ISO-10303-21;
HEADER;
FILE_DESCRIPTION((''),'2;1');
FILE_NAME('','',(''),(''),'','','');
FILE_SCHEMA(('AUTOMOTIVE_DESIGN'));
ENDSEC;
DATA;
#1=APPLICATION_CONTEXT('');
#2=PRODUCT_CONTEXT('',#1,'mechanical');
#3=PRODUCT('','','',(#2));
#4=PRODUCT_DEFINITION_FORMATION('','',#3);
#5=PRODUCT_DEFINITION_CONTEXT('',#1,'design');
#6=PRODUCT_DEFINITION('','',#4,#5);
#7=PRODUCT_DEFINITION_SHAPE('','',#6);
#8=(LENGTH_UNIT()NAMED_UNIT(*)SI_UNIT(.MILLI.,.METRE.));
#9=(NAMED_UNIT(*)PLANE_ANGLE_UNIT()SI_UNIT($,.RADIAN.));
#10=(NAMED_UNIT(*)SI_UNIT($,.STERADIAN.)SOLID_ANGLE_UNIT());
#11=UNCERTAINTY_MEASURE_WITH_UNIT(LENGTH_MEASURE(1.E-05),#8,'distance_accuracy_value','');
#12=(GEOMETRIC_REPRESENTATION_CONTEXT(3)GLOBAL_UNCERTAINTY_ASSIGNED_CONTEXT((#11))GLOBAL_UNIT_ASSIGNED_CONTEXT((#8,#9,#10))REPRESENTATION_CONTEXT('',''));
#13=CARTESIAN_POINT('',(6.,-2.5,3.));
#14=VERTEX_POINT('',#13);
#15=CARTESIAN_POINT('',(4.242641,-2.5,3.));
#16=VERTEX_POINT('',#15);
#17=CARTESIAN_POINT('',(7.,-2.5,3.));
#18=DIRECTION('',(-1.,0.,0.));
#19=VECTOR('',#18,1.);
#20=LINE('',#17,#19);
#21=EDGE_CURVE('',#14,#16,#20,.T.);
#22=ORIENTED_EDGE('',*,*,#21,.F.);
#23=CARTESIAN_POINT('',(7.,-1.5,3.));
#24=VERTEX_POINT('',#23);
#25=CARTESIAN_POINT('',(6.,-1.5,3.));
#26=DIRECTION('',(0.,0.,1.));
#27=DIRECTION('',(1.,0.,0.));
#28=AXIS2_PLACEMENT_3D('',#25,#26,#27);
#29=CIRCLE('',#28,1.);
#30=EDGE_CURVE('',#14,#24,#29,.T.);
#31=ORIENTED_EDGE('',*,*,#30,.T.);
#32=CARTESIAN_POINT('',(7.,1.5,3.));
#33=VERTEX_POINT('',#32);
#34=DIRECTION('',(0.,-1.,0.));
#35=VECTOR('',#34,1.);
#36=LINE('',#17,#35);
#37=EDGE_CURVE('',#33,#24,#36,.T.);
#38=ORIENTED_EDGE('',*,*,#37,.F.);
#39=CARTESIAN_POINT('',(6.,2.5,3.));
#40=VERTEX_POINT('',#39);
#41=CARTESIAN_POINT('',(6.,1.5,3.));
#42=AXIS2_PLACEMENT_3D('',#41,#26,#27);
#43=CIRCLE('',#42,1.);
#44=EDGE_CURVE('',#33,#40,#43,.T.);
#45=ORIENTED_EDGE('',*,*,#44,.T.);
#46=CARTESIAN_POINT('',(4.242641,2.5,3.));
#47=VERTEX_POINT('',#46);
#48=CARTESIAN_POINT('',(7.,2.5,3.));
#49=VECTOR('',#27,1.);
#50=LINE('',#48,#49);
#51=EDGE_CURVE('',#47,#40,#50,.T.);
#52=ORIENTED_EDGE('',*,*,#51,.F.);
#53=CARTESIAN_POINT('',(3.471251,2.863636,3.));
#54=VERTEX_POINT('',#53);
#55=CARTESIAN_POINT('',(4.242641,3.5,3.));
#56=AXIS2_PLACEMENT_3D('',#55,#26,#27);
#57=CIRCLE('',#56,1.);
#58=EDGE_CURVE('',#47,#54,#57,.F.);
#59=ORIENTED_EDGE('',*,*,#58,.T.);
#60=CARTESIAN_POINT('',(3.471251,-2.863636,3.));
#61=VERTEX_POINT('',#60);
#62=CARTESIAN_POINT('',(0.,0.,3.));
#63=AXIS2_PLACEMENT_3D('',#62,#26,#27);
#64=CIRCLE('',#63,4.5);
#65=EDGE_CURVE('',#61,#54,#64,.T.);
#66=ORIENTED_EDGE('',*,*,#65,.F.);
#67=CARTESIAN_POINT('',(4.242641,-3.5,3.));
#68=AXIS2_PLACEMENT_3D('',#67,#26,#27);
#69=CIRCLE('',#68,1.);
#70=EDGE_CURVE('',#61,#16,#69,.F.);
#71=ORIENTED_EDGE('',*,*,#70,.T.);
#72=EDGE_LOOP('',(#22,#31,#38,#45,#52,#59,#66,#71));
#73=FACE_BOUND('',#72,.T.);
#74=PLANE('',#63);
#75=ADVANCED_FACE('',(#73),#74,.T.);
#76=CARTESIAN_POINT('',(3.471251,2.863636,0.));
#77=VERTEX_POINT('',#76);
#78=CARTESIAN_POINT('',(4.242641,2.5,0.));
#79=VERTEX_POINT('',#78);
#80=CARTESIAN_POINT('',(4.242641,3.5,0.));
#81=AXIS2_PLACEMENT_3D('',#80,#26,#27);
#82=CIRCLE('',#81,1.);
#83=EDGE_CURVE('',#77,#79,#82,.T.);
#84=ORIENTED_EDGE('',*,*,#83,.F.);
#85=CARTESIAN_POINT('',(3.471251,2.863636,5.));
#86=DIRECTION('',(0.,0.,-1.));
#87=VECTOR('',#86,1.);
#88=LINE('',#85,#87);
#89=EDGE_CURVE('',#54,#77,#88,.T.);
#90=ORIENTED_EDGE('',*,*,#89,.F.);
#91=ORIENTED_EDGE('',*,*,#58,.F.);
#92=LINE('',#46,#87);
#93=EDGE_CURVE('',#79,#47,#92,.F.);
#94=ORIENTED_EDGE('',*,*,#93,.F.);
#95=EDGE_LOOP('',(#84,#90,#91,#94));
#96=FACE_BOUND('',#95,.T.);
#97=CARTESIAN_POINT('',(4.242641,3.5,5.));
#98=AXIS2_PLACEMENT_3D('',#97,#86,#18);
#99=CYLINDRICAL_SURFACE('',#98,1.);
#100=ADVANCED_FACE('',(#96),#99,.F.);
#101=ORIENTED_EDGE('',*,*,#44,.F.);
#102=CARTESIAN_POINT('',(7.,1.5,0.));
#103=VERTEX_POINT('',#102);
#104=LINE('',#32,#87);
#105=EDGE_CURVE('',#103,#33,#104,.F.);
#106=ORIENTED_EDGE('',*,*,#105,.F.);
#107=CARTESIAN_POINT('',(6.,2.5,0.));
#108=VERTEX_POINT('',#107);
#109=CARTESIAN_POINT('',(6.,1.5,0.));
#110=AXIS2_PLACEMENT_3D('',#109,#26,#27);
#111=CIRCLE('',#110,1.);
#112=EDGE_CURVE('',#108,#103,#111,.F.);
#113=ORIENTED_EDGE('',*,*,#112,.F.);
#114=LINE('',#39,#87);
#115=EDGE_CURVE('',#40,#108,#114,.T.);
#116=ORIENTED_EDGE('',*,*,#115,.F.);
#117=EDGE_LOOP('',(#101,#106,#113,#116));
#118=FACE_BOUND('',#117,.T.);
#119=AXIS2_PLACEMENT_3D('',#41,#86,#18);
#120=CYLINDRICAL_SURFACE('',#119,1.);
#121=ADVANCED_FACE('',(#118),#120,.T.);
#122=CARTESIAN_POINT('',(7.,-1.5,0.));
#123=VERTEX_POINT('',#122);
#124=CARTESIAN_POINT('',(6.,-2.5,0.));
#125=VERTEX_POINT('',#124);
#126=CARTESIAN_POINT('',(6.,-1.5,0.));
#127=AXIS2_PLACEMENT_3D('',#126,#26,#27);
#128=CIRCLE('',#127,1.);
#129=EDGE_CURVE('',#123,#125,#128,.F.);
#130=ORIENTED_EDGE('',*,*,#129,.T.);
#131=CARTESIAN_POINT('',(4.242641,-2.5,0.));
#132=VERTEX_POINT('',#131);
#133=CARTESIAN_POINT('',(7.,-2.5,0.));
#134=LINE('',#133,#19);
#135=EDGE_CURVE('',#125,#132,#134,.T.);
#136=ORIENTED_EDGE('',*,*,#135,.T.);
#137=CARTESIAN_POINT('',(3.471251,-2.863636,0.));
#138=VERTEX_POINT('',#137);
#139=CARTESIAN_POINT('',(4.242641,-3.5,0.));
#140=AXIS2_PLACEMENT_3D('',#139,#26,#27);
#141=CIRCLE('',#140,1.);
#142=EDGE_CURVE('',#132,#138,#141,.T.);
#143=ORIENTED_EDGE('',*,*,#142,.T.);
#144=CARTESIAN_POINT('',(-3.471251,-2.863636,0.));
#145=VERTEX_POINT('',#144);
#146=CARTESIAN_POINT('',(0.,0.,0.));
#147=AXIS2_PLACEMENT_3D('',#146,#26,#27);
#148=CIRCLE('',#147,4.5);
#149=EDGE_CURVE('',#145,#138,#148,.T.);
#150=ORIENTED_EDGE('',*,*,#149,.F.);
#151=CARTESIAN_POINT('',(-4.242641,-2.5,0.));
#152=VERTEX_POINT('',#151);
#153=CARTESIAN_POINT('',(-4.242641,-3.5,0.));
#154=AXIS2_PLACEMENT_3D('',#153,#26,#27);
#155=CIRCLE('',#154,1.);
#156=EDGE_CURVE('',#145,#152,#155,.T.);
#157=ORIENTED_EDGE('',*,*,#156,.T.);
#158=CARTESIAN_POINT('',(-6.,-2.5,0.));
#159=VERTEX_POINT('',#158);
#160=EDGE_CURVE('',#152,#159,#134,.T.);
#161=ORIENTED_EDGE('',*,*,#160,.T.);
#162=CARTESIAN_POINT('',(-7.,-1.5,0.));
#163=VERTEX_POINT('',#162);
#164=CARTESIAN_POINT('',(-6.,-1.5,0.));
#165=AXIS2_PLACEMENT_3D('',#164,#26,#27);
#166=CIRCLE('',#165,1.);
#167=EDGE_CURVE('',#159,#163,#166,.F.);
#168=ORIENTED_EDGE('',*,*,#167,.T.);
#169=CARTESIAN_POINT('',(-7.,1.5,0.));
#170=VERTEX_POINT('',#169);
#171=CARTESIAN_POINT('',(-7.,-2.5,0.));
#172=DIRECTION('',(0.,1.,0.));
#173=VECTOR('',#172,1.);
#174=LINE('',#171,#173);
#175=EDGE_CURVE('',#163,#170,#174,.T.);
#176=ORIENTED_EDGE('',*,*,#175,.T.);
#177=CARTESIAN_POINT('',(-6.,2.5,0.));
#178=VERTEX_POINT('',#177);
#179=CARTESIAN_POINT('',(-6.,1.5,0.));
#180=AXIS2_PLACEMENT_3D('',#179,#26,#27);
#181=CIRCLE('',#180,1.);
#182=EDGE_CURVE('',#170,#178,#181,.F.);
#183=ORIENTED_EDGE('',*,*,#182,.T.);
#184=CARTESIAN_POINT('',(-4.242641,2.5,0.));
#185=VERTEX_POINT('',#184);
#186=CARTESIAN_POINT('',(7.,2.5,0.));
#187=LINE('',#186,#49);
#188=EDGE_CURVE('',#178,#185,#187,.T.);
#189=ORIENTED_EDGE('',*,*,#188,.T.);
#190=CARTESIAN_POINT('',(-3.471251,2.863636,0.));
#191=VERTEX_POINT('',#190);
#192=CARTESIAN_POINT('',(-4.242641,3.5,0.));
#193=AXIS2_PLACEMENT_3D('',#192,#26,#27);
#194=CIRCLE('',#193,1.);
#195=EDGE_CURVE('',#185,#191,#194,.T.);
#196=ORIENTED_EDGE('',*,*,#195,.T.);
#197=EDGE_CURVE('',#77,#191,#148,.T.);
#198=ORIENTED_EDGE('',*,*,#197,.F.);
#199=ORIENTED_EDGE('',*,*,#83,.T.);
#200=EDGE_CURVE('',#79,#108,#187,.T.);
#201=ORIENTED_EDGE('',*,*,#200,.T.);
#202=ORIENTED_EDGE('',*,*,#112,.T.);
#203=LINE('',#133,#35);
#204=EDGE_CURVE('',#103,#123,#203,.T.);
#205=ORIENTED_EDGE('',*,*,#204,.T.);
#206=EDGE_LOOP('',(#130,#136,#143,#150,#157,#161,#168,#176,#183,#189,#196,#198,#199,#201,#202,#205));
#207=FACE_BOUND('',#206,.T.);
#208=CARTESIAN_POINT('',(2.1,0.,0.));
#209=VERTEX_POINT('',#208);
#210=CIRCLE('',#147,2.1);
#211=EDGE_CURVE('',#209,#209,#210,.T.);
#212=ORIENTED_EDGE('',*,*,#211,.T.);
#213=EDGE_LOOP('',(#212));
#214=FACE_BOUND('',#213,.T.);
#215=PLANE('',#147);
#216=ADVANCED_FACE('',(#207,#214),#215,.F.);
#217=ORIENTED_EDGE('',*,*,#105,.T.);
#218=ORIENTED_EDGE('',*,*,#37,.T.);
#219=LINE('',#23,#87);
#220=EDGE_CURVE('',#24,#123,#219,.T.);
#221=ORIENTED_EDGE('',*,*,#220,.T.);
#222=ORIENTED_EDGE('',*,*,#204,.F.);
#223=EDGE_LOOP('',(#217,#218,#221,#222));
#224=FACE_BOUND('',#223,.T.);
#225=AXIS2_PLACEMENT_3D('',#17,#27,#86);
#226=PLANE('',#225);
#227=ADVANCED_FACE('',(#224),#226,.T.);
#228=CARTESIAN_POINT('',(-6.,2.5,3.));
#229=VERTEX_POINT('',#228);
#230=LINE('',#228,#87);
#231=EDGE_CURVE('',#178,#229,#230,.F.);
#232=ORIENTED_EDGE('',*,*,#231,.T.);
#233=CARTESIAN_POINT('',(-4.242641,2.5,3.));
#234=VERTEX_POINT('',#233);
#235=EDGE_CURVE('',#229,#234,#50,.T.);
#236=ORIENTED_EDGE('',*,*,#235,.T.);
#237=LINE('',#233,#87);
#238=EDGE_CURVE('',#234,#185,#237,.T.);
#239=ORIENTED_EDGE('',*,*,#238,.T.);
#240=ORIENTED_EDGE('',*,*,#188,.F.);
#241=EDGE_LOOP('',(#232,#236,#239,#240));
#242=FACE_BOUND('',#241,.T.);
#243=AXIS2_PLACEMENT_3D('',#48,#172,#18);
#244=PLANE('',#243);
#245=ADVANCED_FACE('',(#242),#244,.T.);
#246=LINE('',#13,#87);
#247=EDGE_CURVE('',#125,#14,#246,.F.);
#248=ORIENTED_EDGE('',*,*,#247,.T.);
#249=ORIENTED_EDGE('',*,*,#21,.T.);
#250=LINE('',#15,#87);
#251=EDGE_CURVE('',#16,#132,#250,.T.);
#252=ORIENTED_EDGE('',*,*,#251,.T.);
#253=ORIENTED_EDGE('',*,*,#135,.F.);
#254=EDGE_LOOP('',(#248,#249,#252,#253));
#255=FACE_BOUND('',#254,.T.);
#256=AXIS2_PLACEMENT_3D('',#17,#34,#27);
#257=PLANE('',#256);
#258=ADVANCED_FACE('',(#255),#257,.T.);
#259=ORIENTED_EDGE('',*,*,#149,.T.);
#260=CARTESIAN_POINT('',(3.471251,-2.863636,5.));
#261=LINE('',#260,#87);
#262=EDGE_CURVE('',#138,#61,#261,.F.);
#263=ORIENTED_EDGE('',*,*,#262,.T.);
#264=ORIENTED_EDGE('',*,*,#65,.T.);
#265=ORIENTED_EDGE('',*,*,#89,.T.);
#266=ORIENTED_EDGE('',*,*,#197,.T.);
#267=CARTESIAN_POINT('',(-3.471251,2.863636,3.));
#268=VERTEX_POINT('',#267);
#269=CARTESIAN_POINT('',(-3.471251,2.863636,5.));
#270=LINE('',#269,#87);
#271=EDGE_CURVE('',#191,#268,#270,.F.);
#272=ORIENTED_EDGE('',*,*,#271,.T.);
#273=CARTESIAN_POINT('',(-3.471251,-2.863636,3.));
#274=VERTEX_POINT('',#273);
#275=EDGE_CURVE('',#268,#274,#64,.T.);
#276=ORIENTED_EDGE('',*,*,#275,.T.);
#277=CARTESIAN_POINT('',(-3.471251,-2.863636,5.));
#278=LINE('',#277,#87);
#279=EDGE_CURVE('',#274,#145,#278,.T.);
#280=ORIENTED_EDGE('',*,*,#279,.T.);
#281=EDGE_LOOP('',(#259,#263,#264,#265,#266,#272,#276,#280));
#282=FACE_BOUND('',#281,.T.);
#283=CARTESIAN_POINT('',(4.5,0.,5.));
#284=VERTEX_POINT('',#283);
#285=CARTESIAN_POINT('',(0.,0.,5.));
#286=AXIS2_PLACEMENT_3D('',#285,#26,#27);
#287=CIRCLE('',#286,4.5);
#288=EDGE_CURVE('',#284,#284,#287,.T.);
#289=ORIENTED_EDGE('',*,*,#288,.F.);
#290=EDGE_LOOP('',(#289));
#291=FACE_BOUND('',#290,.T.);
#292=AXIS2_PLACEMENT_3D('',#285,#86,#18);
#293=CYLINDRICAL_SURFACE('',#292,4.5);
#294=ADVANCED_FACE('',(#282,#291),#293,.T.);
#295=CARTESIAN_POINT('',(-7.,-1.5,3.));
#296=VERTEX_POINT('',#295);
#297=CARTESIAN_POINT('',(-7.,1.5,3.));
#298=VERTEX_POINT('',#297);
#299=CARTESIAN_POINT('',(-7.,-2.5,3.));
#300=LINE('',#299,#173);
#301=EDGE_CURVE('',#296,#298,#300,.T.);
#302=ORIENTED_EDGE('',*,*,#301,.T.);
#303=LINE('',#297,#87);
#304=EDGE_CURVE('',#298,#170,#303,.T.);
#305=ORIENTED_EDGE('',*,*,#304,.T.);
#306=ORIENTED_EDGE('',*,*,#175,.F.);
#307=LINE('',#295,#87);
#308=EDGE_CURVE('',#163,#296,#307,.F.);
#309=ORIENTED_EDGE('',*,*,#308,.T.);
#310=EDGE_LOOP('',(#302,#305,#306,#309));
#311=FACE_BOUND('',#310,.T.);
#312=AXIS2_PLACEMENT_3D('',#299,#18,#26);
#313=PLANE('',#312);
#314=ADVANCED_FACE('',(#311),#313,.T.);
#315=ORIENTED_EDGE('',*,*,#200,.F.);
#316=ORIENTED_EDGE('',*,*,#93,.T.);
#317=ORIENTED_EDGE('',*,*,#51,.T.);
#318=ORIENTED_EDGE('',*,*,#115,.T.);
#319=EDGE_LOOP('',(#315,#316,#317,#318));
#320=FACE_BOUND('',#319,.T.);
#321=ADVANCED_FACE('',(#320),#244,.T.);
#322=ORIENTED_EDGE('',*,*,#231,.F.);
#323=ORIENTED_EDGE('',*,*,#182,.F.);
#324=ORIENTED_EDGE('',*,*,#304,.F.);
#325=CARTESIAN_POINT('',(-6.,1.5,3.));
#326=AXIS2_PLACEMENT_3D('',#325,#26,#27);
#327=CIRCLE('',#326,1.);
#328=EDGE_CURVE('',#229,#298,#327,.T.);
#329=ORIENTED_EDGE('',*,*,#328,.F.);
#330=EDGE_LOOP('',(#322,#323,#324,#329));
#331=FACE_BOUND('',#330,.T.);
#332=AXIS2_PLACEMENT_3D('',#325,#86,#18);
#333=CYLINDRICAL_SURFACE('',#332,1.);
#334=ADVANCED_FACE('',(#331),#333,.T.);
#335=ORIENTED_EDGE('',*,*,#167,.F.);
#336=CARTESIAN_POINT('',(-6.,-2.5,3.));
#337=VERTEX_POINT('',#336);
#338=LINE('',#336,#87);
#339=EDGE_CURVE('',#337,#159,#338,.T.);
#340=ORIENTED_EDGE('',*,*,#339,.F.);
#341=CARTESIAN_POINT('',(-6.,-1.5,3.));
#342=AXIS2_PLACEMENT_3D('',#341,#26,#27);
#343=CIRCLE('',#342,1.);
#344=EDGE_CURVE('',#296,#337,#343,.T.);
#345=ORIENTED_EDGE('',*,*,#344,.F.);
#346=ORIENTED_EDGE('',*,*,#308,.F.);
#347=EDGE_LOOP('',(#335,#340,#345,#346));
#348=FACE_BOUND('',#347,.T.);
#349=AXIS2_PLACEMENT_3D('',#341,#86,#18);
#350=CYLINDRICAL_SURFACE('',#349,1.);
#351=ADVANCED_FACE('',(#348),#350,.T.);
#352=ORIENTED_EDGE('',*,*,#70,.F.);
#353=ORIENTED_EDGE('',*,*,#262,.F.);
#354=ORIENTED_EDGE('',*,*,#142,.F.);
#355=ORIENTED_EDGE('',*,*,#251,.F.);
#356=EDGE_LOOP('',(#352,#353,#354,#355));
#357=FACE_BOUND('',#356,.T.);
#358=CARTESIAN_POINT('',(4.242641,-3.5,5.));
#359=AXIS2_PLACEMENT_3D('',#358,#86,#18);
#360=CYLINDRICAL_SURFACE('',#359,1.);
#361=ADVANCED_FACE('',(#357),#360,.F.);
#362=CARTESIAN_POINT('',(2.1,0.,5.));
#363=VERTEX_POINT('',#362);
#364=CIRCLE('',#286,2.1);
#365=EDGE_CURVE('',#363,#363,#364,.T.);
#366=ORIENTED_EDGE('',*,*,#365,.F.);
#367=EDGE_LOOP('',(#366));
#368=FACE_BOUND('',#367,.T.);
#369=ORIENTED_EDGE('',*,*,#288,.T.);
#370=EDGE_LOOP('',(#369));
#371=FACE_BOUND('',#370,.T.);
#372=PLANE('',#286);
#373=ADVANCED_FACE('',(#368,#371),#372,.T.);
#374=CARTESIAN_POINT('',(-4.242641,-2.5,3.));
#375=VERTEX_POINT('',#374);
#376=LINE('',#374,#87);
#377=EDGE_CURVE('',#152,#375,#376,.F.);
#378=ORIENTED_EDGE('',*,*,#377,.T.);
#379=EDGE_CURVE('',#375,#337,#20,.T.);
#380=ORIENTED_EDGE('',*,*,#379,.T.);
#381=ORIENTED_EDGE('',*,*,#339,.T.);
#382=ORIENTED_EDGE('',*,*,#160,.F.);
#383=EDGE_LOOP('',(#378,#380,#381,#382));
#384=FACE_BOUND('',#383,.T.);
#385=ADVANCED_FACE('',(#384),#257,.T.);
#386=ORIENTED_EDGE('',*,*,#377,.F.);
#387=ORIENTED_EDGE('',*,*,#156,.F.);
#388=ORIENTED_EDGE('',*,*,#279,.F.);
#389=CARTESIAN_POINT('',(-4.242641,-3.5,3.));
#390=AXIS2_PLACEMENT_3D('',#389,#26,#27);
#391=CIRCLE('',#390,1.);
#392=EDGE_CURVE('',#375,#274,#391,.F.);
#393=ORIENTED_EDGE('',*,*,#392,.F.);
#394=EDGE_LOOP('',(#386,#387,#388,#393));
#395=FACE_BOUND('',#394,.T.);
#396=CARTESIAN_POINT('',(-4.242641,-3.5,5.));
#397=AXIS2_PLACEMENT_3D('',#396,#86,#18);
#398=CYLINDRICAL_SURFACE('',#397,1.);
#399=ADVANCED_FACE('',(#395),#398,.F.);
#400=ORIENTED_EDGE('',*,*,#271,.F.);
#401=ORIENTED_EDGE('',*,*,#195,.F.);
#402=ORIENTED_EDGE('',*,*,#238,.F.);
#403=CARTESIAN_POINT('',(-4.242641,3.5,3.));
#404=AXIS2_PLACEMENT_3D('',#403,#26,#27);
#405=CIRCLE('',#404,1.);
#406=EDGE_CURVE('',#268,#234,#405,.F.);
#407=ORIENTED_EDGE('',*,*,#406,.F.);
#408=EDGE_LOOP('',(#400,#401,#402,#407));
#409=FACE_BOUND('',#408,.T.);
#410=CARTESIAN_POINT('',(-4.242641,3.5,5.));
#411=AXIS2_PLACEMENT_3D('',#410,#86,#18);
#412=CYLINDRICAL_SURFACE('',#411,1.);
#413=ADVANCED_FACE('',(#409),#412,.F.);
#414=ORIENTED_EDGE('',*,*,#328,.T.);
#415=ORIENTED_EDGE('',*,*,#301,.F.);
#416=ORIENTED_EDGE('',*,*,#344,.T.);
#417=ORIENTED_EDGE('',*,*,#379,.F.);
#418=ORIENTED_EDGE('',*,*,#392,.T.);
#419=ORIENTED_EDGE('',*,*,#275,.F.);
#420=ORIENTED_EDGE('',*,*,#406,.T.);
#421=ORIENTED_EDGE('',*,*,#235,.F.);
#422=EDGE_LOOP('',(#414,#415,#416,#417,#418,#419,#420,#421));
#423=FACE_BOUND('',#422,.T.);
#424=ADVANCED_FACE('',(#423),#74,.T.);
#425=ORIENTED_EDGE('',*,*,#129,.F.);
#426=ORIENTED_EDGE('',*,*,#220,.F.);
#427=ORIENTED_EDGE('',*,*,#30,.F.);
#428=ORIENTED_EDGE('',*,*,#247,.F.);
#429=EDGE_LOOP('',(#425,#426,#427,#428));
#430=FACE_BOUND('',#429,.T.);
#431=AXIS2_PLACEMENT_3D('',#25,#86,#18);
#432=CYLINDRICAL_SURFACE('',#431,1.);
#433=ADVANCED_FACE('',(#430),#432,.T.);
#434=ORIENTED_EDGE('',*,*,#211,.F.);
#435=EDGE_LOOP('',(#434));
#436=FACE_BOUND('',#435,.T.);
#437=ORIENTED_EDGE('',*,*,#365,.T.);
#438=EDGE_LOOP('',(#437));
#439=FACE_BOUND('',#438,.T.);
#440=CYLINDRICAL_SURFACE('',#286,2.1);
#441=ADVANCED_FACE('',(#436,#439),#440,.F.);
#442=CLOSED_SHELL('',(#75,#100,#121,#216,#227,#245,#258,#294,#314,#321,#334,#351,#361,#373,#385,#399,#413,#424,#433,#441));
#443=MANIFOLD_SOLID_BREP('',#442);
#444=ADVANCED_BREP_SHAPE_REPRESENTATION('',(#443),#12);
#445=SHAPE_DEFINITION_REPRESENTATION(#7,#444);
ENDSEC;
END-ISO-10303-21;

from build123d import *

# Parameters (mm, degrees)
SKETCH_1_R         = 4.5
EXTRUDE_1_DEPTH    = 5
SKETCH_2_W         = 14
SKETCH_2_H         = 5
EXTRUDE_2_DEPTH    = 3
HOLE_WIZARD_M5_1_D = 4.2
FILLET_1_R         = 1


with BuildPart() as part:
    # 草图1 → 凸台-拉伸1 (new body)
    with BuildSketch(Plane.XY):
        Circle(SKETCH_1_R)
    extrude(amount=EXTRUDE_1_DEPTH)

    # 草图2 → 凸台-拉伸2 (add)
    with BuildSketch(Plane(origin=(0, 0, 0), x_dir=(-1, 0, 0), z_dir=(0, 0, -1))):
        Rectangle(SKETCH_2_W, SKETCH_2_H)
    extrude(amount=-EXTRUDE_2_DEPTH)

    # M5 螺纹孔1 (through all)
    with Locations(Plane.XY.offset(5)):
        with Locations((0, 0)):
            Hole(HOLE_WIZARD_M5_1_D / 2)

    # 圆角1
    fillet_1_edges = [part.edges().sort_by_distance(p)[0] for p in [
        (-7, -2.5, 1.5),
        (7, 2.5, 1.5),
        (-7, 2.5, 1.5),
        (-3.741657387, -2.5, 1.5),
        (3.741657387, -2.5, 1.5),
        (7, -2.5, 1.5),
        (3.741657387, 2.5, 1.5),
        (-3.741657387, 2.5, 1.5),
    ]]
    fillet(fillet_1_edges, radius=FILLET_1_R)


solid = part.part
